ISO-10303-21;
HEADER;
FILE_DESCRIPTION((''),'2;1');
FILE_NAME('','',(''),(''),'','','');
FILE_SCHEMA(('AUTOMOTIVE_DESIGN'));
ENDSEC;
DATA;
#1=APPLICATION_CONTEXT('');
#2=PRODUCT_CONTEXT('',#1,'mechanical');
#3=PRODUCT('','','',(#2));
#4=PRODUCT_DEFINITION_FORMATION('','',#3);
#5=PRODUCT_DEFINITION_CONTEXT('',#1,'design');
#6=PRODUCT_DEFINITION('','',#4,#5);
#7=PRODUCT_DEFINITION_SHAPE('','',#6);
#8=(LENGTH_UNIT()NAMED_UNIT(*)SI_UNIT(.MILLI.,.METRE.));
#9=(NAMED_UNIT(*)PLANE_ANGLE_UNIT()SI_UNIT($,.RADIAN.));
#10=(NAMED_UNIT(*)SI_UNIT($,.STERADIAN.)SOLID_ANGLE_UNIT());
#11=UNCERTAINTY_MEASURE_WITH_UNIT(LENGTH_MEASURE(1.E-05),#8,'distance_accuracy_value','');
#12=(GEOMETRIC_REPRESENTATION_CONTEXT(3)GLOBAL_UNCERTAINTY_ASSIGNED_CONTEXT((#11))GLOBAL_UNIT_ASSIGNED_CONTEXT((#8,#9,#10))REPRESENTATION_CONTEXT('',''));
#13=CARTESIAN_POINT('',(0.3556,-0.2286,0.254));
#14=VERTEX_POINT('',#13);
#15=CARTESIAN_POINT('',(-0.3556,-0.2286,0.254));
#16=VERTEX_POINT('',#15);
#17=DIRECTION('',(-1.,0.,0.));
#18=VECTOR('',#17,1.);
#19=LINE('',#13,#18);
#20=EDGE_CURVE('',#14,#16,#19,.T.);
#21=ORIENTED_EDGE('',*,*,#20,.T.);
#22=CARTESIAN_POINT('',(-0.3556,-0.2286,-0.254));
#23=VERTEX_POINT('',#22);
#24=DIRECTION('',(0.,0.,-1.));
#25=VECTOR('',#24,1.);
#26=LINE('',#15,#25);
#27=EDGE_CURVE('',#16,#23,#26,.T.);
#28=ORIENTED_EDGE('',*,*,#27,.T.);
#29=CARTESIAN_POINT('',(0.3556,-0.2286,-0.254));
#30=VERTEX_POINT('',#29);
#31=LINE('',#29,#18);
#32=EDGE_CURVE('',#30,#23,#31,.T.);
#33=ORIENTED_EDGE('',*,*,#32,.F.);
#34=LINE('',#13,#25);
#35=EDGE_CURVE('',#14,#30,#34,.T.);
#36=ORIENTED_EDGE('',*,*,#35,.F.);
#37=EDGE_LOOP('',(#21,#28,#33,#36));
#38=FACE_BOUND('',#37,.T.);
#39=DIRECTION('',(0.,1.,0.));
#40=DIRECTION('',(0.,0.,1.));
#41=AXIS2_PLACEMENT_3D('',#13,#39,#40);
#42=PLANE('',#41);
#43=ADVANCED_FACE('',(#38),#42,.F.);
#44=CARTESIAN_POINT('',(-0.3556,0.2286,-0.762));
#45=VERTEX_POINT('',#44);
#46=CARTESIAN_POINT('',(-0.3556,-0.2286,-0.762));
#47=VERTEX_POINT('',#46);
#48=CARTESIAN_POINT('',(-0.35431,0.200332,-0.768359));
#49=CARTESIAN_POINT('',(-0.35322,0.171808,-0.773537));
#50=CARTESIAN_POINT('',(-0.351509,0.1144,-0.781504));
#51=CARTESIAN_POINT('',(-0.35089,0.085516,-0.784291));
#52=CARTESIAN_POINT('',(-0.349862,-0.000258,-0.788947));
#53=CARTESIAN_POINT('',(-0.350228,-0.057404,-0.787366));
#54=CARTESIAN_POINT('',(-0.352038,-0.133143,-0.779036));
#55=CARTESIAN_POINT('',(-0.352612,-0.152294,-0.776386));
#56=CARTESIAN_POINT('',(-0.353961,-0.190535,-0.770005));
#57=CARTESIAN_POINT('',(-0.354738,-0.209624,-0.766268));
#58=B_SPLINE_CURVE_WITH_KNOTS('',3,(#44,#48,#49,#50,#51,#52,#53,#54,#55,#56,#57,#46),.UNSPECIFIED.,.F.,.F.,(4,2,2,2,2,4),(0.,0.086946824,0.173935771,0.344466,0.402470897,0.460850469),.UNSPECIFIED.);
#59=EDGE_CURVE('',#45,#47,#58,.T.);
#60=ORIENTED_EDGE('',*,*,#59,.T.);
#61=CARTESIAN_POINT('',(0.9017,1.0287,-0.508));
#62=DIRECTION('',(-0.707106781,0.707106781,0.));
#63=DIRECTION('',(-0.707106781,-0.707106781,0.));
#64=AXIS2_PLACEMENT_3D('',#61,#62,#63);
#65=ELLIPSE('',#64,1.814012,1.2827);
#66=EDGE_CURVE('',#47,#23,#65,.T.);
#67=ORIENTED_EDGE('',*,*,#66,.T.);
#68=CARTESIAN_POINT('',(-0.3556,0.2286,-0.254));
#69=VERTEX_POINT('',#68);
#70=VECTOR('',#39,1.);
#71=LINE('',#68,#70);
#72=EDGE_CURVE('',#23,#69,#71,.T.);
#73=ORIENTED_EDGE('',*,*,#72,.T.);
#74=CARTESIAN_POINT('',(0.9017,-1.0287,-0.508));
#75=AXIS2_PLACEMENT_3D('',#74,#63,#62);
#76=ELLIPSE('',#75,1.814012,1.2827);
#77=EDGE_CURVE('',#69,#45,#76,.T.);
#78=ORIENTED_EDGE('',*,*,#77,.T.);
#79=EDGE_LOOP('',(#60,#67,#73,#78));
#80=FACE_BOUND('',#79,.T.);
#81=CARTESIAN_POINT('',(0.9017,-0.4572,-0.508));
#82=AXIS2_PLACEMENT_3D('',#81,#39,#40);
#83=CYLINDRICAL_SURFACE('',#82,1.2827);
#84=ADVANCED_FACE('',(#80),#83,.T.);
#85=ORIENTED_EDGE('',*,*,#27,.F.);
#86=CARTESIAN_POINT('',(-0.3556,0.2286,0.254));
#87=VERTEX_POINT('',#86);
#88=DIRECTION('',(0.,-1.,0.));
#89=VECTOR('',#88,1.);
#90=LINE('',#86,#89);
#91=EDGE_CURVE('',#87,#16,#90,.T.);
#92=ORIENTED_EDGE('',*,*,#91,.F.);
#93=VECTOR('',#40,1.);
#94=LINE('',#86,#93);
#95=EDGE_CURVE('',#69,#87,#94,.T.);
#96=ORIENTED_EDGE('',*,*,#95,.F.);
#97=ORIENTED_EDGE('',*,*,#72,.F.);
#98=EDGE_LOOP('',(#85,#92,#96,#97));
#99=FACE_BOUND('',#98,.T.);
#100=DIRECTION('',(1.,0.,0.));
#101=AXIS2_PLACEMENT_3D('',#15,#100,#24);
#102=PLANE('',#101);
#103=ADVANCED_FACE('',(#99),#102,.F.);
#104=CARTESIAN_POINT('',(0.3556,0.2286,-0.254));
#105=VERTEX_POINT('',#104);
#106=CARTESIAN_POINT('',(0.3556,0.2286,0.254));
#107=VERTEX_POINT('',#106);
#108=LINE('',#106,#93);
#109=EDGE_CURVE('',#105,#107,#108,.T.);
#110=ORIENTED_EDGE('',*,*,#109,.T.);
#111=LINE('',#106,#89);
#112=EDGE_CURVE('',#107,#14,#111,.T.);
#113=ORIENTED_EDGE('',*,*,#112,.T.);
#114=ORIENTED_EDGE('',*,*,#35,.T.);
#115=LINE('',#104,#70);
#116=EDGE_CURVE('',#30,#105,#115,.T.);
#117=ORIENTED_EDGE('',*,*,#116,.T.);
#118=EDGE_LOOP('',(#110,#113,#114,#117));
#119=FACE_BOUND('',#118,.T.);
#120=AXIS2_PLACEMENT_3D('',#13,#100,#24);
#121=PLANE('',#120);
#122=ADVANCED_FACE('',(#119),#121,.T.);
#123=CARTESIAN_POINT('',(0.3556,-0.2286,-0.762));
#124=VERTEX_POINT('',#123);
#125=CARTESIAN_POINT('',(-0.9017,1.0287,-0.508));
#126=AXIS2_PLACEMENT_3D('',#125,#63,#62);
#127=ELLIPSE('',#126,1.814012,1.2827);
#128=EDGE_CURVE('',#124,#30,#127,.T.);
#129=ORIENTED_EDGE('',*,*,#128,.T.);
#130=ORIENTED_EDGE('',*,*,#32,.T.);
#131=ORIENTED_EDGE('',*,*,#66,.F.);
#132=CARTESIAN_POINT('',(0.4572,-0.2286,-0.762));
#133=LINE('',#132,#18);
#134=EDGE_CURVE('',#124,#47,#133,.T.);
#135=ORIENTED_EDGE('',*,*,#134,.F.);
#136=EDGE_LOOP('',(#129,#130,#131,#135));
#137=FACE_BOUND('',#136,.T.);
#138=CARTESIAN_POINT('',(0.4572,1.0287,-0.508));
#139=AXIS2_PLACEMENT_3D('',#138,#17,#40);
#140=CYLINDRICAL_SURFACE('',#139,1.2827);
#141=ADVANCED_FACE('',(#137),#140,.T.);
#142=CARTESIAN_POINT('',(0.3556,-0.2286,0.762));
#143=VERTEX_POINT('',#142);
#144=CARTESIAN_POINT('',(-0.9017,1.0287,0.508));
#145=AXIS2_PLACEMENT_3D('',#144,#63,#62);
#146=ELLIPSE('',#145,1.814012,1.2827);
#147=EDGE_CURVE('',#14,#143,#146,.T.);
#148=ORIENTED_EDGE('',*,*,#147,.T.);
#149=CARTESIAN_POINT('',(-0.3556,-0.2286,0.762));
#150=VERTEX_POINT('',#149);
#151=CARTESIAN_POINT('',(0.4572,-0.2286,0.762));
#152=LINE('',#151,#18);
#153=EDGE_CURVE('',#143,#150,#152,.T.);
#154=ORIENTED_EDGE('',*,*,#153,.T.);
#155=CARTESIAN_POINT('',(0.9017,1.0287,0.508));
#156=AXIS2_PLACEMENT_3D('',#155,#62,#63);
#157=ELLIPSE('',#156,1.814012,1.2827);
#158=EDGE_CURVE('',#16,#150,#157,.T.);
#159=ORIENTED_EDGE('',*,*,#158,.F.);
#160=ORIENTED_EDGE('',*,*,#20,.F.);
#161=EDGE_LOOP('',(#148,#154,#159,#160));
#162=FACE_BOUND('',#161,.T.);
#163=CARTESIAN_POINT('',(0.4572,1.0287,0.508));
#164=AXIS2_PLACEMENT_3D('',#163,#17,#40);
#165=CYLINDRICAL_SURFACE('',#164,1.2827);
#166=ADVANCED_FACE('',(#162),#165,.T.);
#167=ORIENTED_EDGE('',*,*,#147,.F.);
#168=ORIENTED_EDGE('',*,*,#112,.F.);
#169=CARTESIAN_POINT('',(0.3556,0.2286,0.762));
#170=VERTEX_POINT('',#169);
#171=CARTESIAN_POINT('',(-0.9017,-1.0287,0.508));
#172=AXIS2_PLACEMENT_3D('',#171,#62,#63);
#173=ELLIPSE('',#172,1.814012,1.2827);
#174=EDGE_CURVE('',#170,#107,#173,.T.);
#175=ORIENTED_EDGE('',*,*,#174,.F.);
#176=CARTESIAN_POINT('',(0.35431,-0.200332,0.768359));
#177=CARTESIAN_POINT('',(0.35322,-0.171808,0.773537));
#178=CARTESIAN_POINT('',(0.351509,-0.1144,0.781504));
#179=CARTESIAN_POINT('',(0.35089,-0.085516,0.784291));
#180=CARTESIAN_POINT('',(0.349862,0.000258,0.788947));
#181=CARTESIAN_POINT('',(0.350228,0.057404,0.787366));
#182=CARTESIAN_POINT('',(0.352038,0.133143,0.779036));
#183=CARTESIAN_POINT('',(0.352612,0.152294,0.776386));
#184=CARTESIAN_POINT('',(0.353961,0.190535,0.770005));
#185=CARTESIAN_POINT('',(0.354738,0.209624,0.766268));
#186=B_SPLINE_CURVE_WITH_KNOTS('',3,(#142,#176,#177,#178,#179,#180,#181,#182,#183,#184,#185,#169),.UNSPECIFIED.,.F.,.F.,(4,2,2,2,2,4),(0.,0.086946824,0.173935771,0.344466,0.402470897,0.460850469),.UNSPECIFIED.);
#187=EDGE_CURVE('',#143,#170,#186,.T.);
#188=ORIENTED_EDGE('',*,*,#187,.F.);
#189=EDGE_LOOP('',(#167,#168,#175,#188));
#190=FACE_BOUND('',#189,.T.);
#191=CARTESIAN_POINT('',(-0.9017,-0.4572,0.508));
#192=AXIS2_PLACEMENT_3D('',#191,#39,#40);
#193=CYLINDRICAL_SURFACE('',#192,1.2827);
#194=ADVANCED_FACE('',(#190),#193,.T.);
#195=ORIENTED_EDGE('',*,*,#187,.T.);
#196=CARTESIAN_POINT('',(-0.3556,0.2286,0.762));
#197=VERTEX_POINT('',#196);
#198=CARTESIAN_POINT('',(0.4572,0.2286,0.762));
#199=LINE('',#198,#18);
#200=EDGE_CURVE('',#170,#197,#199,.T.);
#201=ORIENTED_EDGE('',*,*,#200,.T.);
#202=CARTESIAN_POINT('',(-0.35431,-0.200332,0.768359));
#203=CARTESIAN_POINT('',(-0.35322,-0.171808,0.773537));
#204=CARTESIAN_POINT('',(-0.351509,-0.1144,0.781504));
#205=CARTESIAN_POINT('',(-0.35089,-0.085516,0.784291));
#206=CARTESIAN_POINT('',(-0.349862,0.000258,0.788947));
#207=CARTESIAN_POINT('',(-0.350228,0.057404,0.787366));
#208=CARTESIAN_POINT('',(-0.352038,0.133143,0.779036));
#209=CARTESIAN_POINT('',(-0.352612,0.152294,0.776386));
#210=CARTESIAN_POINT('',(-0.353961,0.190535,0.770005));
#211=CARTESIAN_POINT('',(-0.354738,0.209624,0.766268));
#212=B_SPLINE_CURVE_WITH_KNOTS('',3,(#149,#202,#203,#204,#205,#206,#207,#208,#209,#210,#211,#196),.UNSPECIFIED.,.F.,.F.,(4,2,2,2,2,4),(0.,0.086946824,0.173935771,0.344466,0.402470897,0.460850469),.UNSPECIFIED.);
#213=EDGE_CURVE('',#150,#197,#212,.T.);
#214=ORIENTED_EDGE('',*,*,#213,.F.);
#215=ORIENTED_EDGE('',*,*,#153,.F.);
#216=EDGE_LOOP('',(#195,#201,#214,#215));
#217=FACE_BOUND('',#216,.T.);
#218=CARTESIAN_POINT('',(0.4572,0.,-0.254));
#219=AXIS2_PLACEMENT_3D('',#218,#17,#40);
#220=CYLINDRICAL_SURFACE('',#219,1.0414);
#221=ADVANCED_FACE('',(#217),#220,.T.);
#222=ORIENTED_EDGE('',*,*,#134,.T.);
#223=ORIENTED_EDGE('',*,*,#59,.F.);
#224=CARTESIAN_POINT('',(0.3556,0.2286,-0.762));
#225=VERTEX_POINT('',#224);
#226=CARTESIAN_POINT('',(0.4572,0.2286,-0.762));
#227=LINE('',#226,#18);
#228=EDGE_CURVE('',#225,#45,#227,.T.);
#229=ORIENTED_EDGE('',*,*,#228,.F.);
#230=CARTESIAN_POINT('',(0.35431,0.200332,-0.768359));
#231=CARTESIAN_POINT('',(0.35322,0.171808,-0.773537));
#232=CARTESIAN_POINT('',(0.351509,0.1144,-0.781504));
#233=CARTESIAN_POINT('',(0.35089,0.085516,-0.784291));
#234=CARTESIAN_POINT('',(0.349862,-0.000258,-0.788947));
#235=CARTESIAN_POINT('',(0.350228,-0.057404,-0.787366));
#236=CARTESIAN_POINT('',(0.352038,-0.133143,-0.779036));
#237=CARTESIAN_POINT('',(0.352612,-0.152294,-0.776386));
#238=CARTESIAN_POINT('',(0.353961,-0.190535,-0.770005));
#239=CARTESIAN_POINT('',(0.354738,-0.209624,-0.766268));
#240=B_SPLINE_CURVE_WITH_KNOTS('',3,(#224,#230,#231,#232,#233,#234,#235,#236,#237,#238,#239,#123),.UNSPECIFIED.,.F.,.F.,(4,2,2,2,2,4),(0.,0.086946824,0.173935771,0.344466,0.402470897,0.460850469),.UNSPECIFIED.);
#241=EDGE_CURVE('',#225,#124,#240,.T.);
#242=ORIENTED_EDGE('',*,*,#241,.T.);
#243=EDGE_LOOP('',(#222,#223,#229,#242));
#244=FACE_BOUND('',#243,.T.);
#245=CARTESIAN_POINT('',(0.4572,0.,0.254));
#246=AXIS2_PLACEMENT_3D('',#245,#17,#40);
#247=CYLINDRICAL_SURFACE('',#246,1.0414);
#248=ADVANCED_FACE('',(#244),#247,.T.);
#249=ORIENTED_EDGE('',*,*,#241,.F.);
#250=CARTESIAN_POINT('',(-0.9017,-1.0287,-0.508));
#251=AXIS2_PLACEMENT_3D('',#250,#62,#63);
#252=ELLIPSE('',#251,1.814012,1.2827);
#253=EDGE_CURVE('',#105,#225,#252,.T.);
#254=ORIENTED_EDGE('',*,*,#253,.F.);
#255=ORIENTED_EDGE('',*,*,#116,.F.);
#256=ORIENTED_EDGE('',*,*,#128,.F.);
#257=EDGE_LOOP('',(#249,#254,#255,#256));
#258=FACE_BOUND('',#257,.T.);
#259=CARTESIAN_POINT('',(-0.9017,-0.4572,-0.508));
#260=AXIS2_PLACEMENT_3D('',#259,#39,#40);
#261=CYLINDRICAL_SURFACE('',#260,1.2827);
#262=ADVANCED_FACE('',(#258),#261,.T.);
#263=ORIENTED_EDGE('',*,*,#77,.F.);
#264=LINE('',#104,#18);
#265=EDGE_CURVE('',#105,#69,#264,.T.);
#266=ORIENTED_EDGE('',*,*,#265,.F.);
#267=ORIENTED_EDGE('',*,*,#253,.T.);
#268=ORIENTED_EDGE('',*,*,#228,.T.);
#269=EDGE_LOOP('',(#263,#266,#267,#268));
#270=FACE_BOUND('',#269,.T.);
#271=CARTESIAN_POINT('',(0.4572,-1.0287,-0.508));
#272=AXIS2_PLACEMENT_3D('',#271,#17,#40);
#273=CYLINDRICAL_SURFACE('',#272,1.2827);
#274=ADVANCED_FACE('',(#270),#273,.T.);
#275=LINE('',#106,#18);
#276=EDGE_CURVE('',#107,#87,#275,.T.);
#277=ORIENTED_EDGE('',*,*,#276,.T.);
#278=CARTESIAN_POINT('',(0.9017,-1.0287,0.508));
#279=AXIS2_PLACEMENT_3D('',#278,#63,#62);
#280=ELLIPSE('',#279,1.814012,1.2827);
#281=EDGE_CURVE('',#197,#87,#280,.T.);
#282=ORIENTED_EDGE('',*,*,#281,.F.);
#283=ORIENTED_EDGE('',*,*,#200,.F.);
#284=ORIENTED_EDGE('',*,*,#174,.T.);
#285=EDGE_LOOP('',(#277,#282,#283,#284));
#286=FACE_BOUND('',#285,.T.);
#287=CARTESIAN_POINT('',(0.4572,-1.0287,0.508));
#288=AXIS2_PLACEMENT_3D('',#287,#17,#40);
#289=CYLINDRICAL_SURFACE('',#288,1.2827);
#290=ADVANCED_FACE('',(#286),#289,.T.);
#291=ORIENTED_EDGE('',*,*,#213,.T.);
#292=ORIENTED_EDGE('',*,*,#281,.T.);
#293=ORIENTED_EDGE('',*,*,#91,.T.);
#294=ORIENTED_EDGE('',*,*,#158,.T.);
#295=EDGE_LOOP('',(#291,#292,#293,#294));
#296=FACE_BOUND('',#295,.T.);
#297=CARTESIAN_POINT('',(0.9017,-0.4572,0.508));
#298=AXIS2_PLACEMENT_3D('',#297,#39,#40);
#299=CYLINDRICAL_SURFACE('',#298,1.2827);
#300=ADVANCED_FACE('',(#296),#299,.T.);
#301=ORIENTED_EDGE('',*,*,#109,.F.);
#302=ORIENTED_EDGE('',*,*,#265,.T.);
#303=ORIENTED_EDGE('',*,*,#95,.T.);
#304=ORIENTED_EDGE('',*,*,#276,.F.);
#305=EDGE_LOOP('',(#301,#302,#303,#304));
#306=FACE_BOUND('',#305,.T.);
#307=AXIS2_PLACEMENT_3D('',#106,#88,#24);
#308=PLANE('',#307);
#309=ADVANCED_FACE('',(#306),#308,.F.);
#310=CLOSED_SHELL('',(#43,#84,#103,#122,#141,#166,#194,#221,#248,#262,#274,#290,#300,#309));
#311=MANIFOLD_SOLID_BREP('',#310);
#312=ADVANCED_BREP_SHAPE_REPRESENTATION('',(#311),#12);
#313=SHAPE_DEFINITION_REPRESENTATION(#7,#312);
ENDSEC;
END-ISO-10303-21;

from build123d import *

# Parameters (mm, degrees)
SKETCH1_W            = 0.508
SKETCH1_H            = 0.4572
BOSS_EXTRUDE1_DEPTH  = 0.3556
BOSS_EXTRUDE3_DEPTH  = 0.4572
CUT_EXTRUDE1_DEPTH   = 0.4572
MIRROR2_COPY_1_DEPTH = 0.4572


with BuildPart() as part:
    # Sketch1 → Boss-Extrude1 (new, symmetric)
    with BuildSketch(Plane(origin=(0, 0, 0), x_dir=(0, 0, -1), z_dir=(1, 0, 0))):
        Rectangle(SKETCH1_W, SKETCH1_H)
    extrude(amount=BOSS_EXTRUDE1_DEPTH, both=True)

    # Sketch3 → Boss-Extrude3 (add, symmetric)
    with BuildSketch(Plane(origin=(0, 0, 0), x_dir=(0, 0, -1), z_dir=(1, 0, 0))):
        with BuildLine():
            Line((0.254, 0.2286), (0.254, -0.2286))
            ThreePointArc((0.254, -0.2286), (0.508, -0.254), (0.762, -0.2286))
            ThreePointArc((0.762, -0.2286), (0.7874, 0), (0.762, 0.2286))
            ThreePointArc((0.762, 0.2286), (0.508, 0.254), (0.254, 0.2286))
        make_face()
    boss_extrude3 = extrude(amount=BOSS_EXTRUDE3_DEPTH, both=True)

    # Sketch4 → Cut-Extrude1 (cut, symmetric)
    with BuildSketch(Plane(origin=(0, 0, 0), x_dir=(1, 0, 0), z_dir=(0, 1, 0))):
        with BuildLine():
            Line((0.3556, 0.254), (0.582576635, 0.027023365))
            Line((0.582576635, 0.027023365), (0.582576635, 1.080487575))
            Line((0.582576635, 1.080487575), (0.338299002, 0.836209942))
            ThreePointArc((0.338299002, 0.836209942), (0.380434034, 0.5461), (0.3556, 0.254))
        make_face()
    cut_extrude1 = extrude(amount=CUT_EXTRUDE1_DEPTH, both=True, mode=Mode.SUBTRACT)

    # Mirror1: Cut-Extrude1 across plane
    add(cut_extrude1.mirror(Plane(origin=(0, 0, 0), x_dir=(0, 0, 1), z_dir=(1, 0, 0))), mode=Mode.SUBTRACT)

    # Mirror2: Boss-Extrude3, Cut-Extrude1 across plane
    add(boss_extrude3.mirror(Plane.XY))
    add(cut_extrude1.mirror(Plane.XY), mode=Mode.SUBTRACT)

    # Mirror2 copy 1 sketch → Mirror2 copy 1 (cut, symmetric)
    with BuildSketch(Plane(origin=(0, 0, 0), x_dir=(-1, 0, 0), z_dir=(0, 1, 0))):
        with BuildLine():
            Line((0.3556, 0.254), (0.582576635, 0.027023365))
            Line((0.582576635, 0.027023365), (0.582576635, 1.080487575))
            Line((0.582576635, 1.080487575), (0.338299002, 0.836209942))
            ThreePointArc((0.338299002, 0.836209942), (0.380434034, 0.5461), (0.3556, 0.254))
        make_face()
    extrude(amount=MIRROR2_COPY_1_DEPTH, both=True, mode=Mode.SUBTRACT)


solid = part.part
